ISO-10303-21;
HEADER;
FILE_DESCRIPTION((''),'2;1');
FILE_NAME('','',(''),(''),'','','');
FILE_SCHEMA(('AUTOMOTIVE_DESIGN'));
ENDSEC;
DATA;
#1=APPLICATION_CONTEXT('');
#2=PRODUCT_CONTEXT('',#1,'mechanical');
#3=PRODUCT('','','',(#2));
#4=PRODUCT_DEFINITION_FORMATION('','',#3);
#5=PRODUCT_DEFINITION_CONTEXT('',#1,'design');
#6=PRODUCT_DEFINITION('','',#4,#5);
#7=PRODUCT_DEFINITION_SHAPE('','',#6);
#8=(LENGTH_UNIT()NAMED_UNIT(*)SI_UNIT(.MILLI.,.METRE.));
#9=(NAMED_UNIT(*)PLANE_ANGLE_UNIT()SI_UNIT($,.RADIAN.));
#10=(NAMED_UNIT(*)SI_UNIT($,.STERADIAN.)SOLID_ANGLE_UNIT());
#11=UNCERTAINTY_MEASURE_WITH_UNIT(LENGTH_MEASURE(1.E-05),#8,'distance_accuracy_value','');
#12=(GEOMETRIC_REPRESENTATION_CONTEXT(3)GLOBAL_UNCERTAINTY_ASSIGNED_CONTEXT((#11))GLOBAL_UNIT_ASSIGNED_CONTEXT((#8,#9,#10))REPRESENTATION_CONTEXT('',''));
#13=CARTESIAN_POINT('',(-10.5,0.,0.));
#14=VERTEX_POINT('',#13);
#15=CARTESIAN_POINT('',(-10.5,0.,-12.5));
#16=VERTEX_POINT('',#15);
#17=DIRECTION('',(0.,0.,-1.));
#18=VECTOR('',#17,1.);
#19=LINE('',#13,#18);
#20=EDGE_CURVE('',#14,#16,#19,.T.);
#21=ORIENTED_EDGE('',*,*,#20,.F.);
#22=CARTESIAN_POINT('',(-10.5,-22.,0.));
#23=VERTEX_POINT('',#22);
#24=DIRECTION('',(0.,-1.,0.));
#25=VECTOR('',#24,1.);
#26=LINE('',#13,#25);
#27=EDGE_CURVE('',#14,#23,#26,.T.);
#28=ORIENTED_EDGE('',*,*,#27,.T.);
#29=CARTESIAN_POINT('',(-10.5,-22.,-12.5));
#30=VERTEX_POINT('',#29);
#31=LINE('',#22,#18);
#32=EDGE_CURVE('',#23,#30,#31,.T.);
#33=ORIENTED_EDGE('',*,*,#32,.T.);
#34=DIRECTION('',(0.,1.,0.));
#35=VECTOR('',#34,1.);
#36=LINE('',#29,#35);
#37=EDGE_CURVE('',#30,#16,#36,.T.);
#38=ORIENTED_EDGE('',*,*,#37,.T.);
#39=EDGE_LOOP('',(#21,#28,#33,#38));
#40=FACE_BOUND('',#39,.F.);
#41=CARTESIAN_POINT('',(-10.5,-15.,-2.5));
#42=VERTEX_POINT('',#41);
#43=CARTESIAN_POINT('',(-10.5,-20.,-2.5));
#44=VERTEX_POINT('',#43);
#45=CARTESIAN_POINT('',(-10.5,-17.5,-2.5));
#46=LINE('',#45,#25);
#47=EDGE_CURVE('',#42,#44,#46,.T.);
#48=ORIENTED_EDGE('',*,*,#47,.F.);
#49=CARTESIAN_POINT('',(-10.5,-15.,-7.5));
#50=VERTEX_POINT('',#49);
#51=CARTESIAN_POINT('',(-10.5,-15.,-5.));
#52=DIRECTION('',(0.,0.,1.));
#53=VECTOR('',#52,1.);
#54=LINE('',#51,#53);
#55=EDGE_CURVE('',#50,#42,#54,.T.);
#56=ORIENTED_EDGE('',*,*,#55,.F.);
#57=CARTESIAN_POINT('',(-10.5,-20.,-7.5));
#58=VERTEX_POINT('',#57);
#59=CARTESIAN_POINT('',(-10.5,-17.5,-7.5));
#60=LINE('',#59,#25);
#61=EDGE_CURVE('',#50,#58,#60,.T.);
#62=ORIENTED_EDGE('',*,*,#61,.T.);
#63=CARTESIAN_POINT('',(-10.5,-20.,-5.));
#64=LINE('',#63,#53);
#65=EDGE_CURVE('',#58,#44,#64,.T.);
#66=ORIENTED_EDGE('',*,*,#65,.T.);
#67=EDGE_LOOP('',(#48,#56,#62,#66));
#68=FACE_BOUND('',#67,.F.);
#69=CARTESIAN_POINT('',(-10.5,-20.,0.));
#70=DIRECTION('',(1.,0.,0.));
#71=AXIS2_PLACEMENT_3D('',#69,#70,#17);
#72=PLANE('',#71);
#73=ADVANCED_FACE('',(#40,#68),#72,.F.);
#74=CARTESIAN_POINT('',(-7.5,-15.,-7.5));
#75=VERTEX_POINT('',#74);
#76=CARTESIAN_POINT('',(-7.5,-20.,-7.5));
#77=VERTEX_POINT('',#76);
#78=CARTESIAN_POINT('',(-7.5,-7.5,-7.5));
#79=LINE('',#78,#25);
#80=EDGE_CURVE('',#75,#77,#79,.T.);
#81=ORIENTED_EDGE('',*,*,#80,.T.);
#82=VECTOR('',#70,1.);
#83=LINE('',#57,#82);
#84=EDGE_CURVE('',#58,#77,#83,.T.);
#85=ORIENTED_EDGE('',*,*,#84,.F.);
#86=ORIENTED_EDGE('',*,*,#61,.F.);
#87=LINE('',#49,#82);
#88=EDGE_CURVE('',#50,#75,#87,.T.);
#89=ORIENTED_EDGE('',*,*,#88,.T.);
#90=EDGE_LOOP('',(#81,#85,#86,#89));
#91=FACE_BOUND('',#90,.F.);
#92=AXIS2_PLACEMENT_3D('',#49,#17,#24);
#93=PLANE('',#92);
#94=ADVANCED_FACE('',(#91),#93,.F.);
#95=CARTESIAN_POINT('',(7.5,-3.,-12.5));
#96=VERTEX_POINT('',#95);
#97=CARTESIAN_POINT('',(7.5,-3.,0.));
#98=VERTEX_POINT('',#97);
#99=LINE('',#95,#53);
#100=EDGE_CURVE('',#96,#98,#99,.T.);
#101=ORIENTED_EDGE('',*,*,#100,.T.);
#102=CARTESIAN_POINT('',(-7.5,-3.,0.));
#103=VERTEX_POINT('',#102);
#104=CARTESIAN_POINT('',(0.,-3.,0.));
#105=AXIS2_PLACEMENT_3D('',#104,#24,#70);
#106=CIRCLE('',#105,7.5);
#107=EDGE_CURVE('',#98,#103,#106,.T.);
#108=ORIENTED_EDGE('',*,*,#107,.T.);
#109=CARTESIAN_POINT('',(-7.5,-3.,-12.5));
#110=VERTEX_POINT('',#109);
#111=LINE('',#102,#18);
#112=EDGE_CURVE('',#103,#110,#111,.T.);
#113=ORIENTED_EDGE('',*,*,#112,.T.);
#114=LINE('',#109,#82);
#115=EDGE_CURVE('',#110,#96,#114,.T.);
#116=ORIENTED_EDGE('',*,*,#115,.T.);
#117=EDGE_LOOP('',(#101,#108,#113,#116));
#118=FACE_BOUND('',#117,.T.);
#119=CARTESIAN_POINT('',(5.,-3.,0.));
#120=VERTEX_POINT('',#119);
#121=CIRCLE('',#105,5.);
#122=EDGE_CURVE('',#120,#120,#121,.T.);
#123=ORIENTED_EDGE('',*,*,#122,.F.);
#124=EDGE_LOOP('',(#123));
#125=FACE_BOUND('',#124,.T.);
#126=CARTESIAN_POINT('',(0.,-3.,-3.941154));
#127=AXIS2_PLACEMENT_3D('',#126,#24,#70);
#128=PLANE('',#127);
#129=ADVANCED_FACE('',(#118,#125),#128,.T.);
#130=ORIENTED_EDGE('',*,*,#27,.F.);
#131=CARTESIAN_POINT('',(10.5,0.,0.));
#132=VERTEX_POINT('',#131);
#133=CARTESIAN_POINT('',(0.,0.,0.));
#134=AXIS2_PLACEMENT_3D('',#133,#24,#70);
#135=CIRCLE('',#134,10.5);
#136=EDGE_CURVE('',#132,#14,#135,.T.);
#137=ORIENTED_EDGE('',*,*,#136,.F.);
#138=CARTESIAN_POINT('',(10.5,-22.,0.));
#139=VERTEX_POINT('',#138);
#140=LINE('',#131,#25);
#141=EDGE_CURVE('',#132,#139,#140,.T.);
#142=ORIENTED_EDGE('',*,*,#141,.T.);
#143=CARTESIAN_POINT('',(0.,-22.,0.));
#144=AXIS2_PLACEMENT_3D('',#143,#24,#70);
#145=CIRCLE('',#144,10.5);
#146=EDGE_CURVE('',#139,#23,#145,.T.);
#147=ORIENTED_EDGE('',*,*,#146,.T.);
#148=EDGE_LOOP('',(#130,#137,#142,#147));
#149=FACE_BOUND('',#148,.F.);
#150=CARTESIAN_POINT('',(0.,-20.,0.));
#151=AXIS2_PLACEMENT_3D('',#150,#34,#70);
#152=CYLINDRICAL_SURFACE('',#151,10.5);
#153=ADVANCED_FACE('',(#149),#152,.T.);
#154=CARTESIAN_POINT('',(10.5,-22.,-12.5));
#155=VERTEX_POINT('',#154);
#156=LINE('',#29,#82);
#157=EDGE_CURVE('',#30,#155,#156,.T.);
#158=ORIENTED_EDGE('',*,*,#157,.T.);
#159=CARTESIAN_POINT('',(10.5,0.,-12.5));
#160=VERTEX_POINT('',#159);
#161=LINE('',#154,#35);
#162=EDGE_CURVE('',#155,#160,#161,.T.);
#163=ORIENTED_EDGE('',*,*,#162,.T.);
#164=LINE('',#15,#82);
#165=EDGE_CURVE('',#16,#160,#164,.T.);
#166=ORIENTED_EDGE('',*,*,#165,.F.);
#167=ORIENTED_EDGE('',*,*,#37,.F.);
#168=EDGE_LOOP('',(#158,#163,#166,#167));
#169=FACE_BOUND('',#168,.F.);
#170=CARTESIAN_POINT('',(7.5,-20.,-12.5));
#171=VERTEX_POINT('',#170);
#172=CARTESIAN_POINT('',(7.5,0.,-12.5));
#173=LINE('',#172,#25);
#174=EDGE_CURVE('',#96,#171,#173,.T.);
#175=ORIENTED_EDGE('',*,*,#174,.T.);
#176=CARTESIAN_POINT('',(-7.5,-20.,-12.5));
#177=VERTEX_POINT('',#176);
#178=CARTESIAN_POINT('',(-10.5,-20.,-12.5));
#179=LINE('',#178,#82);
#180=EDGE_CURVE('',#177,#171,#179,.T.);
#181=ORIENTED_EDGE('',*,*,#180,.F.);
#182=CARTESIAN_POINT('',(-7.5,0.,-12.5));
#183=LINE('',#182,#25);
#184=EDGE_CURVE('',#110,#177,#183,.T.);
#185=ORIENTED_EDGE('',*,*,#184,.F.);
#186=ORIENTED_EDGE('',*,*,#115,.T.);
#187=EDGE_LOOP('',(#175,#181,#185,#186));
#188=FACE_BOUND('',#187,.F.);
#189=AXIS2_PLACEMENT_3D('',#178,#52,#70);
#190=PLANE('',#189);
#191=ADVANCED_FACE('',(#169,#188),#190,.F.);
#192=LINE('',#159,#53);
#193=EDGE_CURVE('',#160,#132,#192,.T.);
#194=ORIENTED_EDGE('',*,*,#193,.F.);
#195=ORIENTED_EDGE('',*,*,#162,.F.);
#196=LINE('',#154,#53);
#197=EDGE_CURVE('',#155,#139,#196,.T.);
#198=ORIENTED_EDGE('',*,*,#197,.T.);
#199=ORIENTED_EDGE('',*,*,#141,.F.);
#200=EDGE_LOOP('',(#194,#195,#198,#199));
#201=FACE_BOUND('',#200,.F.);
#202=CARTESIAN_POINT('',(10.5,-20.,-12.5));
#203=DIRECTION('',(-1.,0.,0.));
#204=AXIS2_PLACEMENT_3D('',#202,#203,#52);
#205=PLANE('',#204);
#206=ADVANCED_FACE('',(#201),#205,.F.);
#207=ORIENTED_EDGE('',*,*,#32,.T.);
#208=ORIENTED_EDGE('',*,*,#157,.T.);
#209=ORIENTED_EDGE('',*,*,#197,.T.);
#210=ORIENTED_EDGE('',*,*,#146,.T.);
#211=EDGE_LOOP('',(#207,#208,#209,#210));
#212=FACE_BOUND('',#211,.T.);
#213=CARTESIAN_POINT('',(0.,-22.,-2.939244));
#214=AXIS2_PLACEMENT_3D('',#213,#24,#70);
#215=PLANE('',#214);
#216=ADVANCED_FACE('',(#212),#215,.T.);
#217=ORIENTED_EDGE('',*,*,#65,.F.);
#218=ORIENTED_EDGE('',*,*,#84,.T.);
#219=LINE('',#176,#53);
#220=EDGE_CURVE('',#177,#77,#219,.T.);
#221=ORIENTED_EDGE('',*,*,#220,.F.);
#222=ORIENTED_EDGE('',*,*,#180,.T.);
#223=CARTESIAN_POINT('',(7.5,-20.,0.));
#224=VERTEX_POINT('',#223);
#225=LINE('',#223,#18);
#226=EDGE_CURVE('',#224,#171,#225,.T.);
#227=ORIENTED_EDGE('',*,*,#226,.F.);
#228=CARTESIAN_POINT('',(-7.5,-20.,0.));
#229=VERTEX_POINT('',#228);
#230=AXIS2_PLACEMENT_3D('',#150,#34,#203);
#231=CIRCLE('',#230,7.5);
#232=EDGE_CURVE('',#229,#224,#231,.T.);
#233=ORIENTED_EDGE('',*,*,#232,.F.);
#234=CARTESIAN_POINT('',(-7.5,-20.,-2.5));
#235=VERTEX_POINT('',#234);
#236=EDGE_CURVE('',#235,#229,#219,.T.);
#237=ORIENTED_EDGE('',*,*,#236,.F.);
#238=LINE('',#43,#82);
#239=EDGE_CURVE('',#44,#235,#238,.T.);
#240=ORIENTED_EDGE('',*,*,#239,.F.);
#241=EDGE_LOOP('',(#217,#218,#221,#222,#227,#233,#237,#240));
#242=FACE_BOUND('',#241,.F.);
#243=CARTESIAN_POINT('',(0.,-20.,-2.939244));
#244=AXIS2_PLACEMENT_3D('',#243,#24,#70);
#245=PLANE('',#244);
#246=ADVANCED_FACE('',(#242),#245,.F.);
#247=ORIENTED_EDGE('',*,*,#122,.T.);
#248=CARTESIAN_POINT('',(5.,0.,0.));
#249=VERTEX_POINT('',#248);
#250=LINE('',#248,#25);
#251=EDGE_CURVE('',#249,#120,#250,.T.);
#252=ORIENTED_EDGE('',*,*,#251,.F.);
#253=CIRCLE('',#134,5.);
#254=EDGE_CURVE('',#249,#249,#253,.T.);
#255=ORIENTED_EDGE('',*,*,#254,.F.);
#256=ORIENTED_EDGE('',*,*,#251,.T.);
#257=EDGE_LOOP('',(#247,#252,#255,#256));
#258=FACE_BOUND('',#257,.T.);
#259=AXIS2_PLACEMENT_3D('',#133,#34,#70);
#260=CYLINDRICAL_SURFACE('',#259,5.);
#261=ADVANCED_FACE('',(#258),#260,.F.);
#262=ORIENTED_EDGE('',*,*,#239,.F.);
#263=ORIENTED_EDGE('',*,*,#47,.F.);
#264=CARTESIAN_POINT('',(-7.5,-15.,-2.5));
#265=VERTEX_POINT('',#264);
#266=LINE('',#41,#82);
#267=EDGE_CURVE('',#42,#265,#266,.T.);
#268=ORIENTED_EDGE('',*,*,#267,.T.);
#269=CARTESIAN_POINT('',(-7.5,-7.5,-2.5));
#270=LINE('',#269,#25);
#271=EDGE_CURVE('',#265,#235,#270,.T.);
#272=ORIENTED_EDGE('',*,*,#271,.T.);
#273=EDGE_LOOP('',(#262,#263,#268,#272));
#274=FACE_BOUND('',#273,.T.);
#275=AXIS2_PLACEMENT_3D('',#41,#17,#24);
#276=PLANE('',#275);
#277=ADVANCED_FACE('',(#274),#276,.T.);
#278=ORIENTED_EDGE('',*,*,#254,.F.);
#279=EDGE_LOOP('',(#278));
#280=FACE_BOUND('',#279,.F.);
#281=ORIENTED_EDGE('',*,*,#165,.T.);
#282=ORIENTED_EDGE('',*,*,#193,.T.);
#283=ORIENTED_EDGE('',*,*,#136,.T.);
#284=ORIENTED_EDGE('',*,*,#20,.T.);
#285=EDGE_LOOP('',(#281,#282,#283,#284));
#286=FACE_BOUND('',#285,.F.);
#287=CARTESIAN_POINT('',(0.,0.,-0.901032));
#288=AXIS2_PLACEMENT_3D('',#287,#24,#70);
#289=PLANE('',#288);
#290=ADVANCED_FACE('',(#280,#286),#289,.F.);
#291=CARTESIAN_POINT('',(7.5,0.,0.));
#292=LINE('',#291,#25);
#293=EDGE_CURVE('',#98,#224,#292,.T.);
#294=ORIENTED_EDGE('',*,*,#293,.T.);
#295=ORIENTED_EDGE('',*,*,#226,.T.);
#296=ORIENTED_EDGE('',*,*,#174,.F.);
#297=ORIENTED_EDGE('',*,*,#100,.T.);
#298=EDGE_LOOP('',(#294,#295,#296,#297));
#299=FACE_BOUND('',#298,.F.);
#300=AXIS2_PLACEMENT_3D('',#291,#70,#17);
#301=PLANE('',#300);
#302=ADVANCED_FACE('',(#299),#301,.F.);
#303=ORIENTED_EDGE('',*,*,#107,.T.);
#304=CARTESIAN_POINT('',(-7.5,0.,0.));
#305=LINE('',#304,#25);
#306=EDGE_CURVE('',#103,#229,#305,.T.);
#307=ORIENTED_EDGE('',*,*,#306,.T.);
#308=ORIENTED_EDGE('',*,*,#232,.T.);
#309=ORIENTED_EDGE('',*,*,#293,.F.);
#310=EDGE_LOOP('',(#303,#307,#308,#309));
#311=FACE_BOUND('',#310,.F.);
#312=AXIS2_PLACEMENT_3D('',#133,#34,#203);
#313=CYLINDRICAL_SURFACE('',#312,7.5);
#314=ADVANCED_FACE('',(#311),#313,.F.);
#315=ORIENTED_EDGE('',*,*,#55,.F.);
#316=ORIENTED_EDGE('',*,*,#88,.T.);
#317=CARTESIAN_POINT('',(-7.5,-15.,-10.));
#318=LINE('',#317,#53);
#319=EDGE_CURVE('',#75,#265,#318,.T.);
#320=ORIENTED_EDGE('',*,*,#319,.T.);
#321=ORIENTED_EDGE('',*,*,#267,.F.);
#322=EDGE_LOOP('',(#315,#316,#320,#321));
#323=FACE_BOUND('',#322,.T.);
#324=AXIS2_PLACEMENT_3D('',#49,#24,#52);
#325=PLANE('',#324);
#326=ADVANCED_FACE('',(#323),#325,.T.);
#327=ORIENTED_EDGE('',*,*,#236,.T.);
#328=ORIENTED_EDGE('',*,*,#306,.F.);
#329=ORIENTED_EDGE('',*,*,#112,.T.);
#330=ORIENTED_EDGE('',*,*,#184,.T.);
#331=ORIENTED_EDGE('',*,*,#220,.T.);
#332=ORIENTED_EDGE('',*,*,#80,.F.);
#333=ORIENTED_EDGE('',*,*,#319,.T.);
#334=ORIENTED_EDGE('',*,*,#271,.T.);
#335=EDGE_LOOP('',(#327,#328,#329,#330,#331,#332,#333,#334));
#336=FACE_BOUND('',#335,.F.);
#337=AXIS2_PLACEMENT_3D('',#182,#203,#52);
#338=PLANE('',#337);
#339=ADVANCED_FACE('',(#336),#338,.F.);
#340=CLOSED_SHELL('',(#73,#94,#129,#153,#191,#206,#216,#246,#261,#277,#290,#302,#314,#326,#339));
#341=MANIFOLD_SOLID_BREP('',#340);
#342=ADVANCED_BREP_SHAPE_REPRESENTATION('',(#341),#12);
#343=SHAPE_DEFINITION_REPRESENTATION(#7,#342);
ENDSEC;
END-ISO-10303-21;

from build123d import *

# Parameters (mm, degrees)
F0_R     = 5
F1_DEPTH = 3
F3_DEPTH = 20
F5_DEPTH = 2
F6_W     = 5
F6_H     = 5
F7_DEPTH = 5


with BuildPart() as f1:
    # F0 (on Front) → F1 (new body)
    with BuildSketch(Plane.XZ):
        with BuildLine():
            Line((7.5, -12.5), (7.5, 0))
            ThreePointArc((7.5, 0), (0, 7.5), (-7.5, 0))
            Line((-7.5, 0), (-7.5, -12.5))
            Line((-7.5, -12.5), (7.5, -12.5))
        make_face()
        Circle(F0_R, mode=Mode.SUBTRACT)
    extrude(amount=F1_DEPTH)

    # F2 (on Front) → F3 (join)
    with BuildSketch(Plane.XZ):
        with BuildLine():
            Line((10.5, -12.5), (10.5, 0))
            ThreePointArc((10.5, 0), (0, 10.5), (-10.5, 0))
            Line((-10.5, 0), (-10.5, -12.5))
            Line((-10.5, -12.5), (-7.5, -12.5))
            Line((-7.5, -12.5), (-7.5, 0))
            ThreePointArc((-7.5, 0), (0, 7.5), (7.5, 0))
            Line((7.5, 0), (7.5, -12.5))
            Line((7.5, -12.5), (10.5, -12.5))
        make_face()
    extrude(amount=F3_DEPTH)

    # F4 (on face) → F5 (join)
    with BuildSketch(Plane.XZ.offset(20)):
        with BuildLine():
            Line((10.5, -12.5), (10.5, 0))
            ThreePointArc((10.5, 0), (0, 10.5), (-10.5, 0))
            Line((-10.5, 0), (-10.5, -12.5))
            Line((-10.5, -12.5), (10.5, -12.5))
        make_face()
    extrude(amount=F5_DEPTH)

    # F6 (on face) → F7 (cut)
    with BuildSketch(Plane(origin=(-10.5, 0, 0), x_dir=(0, -1, 0), z_dir=(-1, 0, 0))):
        with Locations((17.5, -5)):
            Rectangle(F6_W, F6_H)
    extrude(amount=-F7_DEPTH, mode=Mode.SUBTRACT)


solid = f1.part
